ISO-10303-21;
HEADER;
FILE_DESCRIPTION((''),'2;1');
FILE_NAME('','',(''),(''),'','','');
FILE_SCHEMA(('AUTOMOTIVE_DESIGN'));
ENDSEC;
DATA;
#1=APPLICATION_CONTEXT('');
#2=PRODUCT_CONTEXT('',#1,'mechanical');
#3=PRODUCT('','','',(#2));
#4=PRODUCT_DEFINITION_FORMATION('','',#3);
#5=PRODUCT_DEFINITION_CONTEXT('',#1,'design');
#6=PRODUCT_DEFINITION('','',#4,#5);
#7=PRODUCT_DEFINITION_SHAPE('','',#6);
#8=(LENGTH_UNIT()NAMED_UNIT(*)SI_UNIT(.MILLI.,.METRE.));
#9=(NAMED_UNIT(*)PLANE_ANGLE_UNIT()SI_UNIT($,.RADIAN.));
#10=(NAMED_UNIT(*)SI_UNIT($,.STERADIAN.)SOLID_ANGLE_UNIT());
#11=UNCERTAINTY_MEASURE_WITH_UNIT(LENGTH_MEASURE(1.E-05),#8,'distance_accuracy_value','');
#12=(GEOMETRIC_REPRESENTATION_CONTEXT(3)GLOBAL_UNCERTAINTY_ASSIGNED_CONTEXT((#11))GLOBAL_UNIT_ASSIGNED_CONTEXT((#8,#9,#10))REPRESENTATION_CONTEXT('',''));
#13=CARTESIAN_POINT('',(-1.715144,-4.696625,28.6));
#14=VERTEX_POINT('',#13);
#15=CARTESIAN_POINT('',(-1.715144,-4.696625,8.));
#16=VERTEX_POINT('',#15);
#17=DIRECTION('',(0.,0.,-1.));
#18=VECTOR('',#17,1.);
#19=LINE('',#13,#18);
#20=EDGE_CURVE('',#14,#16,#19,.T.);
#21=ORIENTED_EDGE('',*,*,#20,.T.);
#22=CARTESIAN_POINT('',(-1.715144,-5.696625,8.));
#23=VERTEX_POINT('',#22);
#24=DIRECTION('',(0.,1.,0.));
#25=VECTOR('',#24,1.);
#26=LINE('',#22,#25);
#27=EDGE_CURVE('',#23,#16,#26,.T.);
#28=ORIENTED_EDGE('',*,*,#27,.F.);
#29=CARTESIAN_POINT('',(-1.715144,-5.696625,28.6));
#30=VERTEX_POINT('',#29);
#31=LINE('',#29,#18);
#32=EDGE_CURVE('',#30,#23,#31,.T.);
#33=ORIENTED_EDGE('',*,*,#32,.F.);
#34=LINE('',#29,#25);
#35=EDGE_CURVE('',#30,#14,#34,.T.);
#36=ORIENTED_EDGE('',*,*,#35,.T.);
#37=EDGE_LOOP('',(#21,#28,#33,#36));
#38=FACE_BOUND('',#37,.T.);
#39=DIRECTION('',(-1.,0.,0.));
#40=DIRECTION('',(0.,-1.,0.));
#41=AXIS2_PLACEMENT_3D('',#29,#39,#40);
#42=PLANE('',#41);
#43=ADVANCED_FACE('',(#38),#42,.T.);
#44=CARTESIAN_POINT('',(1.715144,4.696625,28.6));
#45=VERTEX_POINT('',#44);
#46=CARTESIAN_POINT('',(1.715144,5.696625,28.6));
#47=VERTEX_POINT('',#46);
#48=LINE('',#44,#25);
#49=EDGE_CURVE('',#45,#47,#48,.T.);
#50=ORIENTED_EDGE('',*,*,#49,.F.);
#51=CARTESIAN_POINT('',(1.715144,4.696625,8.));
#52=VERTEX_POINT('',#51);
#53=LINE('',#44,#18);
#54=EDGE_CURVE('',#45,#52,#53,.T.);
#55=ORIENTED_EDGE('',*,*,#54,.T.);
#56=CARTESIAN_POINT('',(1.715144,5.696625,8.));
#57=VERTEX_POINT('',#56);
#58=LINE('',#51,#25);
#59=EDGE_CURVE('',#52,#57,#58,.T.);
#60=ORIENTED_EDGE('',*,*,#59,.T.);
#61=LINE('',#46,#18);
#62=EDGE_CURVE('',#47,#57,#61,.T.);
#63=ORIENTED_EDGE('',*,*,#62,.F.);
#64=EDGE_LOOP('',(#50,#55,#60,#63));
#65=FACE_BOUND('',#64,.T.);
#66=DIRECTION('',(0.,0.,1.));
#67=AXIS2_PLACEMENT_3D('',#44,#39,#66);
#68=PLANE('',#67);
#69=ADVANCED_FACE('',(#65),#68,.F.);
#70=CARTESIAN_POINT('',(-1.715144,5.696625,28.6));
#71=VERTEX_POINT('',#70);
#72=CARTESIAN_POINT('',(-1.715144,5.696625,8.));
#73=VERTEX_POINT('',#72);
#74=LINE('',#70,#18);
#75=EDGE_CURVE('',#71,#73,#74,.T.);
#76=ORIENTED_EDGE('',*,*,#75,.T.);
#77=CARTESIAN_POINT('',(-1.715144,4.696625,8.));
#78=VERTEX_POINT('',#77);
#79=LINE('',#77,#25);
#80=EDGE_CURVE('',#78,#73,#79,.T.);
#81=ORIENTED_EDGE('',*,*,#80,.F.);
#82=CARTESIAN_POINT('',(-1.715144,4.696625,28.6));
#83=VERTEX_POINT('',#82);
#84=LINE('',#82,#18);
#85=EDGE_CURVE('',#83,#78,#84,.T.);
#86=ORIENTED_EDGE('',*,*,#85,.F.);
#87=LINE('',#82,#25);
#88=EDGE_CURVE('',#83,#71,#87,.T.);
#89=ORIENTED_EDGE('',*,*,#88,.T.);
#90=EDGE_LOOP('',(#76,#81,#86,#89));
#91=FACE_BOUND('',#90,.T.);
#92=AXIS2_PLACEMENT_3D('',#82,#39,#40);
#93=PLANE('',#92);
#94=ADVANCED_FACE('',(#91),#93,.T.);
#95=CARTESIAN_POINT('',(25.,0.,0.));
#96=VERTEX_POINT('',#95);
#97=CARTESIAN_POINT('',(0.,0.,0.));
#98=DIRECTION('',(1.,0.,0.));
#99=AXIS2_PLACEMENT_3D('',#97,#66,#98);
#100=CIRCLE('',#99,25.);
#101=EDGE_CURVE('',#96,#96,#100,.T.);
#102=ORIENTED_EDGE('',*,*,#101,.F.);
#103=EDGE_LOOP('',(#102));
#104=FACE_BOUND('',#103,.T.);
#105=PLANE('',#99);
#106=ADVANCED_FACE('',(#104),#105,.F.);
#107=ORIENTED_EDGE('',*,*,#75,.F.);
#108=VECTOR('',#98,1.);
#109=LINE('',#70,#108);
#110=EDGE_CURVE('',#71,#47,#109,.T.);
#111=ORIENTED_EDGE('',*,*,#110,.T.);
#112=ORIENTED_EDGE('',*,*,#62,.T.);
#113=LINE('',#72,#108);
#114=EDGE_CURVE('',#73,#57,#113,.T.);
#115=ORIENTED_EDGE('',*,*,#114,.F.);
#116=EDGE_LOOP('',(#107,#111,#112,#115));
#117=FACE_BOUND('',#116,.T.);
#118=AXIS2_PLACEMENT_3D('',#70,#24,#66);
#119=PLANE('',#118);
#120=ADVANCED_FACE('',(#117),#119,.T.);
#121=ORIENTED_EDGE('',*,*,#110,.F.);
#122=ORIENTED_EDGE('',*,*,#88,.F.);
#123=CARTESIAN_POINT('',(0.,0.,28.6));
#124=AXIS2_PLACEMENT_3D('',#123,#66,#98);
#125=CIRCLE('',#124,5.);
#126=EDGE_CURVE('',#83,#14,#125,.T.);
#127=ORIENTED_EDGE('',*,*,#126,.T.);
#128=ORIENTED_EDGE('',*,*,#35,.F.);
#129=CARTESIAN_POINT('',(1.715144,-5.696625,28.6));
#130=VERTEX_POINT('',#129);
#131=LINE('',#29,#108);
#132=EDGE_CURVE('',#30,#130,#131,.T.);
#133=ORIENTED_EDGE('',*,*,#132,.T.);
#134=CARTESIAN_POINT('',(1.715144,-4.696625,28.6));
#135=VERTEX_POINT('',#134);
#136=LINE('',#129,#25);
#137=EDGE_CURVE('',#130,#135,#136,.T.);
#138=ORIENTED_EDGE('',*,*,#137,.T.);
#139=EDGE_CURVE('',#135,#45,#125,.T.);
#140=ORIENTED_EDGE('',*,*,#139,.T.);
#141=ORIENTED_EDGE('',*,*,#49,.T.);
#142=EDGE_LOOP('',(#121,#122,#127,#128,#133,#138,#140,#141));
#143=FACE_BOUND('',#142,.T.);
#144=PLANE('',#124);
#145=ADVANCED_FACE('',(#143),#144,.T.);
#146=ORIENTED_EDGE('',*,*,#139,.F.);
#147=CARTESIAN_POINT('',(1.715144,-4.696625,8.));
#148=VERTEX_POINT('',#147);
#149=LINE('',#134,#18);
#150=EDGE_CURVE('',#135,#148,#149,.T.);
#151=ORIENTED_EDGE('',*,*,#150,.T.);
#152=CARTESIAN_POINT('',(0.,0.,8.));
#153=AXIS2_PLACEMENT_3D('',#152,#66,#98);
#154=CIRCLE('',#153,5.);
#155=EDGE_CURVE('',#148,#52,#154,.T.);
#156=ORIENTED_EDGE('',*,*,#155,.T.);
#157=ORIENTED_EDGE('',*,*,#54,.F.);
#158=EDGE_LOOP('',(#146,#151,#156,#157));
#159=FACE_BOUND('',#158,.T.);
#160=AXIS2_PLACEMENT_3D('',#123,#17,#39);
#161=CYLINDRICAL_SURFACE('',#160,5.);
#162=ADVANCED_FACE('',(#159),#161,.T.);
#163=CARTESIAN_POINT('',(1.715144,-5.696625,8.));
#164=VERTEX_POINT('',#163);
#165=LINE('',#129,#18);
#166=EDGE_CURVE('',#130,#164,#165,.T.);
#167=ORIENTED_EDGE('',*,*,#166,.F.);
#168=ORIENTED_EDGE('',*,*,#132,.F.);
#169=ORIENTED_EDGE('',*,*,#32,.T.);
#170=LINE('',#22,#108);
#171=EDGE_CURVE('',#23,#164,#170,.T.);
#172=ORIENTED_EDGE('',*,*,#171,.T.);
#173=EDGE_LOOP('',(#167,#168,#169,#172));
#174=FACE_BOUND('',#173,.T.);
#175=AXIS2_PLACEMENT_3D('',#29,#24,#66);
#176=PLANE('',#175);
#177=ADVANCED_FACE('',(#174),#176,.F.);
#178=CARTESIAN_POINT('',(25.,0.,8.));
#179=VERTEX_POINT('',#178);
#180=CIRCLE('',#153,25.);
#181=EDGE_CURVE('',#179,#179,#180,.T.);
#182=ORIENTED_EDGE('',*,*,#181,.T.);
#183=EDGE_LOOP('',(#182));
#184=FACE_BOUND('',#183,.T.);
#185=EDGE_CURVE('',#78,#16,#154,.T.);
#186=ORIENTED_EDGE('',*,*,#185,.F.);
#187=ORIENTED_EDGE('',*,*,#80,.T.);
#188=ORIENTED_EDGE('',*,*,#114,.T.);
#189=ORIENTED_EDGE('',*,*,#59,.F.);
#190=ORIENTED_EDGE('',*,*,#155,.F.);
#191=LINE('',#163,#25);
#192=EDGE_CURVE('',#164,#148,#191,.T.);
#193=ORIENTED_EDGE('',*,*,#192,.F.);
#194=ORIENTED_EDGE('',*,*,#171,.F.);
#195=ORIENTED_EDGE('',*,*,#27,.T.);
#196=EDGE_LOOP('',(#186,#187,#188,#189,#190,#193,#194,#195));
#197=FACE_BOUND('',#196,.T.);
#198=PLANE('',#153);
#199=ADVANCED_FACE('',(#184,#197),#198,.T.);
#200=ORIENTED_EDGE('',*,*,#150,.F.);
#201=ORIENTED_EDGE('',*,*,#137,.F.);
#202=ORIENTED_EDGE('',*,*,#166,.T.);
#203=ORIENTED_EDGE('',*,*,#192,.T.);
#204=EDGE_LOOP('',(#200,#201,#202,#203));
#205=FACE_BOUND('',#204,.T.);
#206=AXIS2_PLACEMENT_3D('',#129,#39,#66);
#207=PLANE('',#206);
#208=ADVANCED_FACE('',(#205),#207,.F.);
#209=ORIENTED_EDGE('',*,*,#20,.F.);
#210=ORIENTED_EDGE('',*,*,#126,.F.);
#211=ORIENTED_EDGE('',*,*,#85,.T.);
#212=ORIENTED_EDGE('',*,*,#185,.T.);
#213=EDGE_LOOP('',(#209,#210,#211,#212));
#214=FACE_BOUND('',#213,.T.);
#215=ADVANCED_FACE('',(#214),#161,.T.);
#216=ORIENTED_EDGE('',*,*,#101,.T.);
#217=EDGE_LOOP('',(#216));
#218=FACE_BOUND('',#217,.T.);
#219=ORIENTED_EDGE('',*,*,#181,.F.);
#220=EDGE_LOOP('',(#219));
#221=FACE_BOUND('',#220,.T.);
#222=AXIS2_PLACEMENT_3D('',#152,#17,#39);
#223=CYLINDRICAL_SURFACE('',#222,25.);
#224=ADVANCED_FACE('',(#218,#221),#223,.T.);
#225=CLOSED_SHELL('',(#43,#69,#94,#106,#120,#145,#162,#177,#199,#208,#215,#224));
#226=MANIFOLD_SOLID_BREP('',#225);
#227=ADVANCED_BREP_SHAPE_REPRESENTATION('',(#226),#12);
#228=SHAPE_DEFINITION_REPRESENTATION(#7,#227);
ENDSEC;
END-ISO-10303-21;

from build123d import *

# Parameters (mm, degrees)
SKETCH1_R           = 25
BOSS_EXTRUDE1_DEPTH = 8
BOSS_EXTRUDE2_DEPTH = 20.6


with BuildPart() as part:
    # Sketch1 → Boss-Extrude1 (new body)
    with BuildSketch(Plane(origin=(0, 0, 0), x_dir=(0, 1, 0), z_dir=(0, 0, 1))):
        with Locations(Location((0, 0, 0), (0, 0, 270))):
            Circle(SKETCH1_R)
    extrude(amount=BOSS_EXTRUDE1_DEPTH)

    # Sketch2 → Boss-Extrude2 (add)
    with BuildSketch(Plane.XY.offset(8)):
        with BuildLine():
            Line((-1.715143801, 4.696624505), (-1.715143801, 5.696624505))
            Line((-1.715143801, 5.696624505), (1.715143801, 5.696624505))
            Line((1.715143801, 5.696624505), (1.715143801, 4.696624505))
            ThreePointArc((1.715143801, 4.696624505), (5, 0), (1.715143801, -4.696624505))
            Line((1.715143801, -4.696624505), (1.715143801, -5.696624505))
            Line((1.715143801, -5.696624505), (-1.715143801, -5.696624505))
            Line((-1.715143801, -5.696624505), (-1.715143801, -4.696624505))
            ThreePointArc((-1.715143801, -4.696624505), (-5, 0), (-1.715143801, 4.696624505))
        make_face()
    extrude(amount=BOSS_EXTRUDE2_DEPTH)


solid = part.part
